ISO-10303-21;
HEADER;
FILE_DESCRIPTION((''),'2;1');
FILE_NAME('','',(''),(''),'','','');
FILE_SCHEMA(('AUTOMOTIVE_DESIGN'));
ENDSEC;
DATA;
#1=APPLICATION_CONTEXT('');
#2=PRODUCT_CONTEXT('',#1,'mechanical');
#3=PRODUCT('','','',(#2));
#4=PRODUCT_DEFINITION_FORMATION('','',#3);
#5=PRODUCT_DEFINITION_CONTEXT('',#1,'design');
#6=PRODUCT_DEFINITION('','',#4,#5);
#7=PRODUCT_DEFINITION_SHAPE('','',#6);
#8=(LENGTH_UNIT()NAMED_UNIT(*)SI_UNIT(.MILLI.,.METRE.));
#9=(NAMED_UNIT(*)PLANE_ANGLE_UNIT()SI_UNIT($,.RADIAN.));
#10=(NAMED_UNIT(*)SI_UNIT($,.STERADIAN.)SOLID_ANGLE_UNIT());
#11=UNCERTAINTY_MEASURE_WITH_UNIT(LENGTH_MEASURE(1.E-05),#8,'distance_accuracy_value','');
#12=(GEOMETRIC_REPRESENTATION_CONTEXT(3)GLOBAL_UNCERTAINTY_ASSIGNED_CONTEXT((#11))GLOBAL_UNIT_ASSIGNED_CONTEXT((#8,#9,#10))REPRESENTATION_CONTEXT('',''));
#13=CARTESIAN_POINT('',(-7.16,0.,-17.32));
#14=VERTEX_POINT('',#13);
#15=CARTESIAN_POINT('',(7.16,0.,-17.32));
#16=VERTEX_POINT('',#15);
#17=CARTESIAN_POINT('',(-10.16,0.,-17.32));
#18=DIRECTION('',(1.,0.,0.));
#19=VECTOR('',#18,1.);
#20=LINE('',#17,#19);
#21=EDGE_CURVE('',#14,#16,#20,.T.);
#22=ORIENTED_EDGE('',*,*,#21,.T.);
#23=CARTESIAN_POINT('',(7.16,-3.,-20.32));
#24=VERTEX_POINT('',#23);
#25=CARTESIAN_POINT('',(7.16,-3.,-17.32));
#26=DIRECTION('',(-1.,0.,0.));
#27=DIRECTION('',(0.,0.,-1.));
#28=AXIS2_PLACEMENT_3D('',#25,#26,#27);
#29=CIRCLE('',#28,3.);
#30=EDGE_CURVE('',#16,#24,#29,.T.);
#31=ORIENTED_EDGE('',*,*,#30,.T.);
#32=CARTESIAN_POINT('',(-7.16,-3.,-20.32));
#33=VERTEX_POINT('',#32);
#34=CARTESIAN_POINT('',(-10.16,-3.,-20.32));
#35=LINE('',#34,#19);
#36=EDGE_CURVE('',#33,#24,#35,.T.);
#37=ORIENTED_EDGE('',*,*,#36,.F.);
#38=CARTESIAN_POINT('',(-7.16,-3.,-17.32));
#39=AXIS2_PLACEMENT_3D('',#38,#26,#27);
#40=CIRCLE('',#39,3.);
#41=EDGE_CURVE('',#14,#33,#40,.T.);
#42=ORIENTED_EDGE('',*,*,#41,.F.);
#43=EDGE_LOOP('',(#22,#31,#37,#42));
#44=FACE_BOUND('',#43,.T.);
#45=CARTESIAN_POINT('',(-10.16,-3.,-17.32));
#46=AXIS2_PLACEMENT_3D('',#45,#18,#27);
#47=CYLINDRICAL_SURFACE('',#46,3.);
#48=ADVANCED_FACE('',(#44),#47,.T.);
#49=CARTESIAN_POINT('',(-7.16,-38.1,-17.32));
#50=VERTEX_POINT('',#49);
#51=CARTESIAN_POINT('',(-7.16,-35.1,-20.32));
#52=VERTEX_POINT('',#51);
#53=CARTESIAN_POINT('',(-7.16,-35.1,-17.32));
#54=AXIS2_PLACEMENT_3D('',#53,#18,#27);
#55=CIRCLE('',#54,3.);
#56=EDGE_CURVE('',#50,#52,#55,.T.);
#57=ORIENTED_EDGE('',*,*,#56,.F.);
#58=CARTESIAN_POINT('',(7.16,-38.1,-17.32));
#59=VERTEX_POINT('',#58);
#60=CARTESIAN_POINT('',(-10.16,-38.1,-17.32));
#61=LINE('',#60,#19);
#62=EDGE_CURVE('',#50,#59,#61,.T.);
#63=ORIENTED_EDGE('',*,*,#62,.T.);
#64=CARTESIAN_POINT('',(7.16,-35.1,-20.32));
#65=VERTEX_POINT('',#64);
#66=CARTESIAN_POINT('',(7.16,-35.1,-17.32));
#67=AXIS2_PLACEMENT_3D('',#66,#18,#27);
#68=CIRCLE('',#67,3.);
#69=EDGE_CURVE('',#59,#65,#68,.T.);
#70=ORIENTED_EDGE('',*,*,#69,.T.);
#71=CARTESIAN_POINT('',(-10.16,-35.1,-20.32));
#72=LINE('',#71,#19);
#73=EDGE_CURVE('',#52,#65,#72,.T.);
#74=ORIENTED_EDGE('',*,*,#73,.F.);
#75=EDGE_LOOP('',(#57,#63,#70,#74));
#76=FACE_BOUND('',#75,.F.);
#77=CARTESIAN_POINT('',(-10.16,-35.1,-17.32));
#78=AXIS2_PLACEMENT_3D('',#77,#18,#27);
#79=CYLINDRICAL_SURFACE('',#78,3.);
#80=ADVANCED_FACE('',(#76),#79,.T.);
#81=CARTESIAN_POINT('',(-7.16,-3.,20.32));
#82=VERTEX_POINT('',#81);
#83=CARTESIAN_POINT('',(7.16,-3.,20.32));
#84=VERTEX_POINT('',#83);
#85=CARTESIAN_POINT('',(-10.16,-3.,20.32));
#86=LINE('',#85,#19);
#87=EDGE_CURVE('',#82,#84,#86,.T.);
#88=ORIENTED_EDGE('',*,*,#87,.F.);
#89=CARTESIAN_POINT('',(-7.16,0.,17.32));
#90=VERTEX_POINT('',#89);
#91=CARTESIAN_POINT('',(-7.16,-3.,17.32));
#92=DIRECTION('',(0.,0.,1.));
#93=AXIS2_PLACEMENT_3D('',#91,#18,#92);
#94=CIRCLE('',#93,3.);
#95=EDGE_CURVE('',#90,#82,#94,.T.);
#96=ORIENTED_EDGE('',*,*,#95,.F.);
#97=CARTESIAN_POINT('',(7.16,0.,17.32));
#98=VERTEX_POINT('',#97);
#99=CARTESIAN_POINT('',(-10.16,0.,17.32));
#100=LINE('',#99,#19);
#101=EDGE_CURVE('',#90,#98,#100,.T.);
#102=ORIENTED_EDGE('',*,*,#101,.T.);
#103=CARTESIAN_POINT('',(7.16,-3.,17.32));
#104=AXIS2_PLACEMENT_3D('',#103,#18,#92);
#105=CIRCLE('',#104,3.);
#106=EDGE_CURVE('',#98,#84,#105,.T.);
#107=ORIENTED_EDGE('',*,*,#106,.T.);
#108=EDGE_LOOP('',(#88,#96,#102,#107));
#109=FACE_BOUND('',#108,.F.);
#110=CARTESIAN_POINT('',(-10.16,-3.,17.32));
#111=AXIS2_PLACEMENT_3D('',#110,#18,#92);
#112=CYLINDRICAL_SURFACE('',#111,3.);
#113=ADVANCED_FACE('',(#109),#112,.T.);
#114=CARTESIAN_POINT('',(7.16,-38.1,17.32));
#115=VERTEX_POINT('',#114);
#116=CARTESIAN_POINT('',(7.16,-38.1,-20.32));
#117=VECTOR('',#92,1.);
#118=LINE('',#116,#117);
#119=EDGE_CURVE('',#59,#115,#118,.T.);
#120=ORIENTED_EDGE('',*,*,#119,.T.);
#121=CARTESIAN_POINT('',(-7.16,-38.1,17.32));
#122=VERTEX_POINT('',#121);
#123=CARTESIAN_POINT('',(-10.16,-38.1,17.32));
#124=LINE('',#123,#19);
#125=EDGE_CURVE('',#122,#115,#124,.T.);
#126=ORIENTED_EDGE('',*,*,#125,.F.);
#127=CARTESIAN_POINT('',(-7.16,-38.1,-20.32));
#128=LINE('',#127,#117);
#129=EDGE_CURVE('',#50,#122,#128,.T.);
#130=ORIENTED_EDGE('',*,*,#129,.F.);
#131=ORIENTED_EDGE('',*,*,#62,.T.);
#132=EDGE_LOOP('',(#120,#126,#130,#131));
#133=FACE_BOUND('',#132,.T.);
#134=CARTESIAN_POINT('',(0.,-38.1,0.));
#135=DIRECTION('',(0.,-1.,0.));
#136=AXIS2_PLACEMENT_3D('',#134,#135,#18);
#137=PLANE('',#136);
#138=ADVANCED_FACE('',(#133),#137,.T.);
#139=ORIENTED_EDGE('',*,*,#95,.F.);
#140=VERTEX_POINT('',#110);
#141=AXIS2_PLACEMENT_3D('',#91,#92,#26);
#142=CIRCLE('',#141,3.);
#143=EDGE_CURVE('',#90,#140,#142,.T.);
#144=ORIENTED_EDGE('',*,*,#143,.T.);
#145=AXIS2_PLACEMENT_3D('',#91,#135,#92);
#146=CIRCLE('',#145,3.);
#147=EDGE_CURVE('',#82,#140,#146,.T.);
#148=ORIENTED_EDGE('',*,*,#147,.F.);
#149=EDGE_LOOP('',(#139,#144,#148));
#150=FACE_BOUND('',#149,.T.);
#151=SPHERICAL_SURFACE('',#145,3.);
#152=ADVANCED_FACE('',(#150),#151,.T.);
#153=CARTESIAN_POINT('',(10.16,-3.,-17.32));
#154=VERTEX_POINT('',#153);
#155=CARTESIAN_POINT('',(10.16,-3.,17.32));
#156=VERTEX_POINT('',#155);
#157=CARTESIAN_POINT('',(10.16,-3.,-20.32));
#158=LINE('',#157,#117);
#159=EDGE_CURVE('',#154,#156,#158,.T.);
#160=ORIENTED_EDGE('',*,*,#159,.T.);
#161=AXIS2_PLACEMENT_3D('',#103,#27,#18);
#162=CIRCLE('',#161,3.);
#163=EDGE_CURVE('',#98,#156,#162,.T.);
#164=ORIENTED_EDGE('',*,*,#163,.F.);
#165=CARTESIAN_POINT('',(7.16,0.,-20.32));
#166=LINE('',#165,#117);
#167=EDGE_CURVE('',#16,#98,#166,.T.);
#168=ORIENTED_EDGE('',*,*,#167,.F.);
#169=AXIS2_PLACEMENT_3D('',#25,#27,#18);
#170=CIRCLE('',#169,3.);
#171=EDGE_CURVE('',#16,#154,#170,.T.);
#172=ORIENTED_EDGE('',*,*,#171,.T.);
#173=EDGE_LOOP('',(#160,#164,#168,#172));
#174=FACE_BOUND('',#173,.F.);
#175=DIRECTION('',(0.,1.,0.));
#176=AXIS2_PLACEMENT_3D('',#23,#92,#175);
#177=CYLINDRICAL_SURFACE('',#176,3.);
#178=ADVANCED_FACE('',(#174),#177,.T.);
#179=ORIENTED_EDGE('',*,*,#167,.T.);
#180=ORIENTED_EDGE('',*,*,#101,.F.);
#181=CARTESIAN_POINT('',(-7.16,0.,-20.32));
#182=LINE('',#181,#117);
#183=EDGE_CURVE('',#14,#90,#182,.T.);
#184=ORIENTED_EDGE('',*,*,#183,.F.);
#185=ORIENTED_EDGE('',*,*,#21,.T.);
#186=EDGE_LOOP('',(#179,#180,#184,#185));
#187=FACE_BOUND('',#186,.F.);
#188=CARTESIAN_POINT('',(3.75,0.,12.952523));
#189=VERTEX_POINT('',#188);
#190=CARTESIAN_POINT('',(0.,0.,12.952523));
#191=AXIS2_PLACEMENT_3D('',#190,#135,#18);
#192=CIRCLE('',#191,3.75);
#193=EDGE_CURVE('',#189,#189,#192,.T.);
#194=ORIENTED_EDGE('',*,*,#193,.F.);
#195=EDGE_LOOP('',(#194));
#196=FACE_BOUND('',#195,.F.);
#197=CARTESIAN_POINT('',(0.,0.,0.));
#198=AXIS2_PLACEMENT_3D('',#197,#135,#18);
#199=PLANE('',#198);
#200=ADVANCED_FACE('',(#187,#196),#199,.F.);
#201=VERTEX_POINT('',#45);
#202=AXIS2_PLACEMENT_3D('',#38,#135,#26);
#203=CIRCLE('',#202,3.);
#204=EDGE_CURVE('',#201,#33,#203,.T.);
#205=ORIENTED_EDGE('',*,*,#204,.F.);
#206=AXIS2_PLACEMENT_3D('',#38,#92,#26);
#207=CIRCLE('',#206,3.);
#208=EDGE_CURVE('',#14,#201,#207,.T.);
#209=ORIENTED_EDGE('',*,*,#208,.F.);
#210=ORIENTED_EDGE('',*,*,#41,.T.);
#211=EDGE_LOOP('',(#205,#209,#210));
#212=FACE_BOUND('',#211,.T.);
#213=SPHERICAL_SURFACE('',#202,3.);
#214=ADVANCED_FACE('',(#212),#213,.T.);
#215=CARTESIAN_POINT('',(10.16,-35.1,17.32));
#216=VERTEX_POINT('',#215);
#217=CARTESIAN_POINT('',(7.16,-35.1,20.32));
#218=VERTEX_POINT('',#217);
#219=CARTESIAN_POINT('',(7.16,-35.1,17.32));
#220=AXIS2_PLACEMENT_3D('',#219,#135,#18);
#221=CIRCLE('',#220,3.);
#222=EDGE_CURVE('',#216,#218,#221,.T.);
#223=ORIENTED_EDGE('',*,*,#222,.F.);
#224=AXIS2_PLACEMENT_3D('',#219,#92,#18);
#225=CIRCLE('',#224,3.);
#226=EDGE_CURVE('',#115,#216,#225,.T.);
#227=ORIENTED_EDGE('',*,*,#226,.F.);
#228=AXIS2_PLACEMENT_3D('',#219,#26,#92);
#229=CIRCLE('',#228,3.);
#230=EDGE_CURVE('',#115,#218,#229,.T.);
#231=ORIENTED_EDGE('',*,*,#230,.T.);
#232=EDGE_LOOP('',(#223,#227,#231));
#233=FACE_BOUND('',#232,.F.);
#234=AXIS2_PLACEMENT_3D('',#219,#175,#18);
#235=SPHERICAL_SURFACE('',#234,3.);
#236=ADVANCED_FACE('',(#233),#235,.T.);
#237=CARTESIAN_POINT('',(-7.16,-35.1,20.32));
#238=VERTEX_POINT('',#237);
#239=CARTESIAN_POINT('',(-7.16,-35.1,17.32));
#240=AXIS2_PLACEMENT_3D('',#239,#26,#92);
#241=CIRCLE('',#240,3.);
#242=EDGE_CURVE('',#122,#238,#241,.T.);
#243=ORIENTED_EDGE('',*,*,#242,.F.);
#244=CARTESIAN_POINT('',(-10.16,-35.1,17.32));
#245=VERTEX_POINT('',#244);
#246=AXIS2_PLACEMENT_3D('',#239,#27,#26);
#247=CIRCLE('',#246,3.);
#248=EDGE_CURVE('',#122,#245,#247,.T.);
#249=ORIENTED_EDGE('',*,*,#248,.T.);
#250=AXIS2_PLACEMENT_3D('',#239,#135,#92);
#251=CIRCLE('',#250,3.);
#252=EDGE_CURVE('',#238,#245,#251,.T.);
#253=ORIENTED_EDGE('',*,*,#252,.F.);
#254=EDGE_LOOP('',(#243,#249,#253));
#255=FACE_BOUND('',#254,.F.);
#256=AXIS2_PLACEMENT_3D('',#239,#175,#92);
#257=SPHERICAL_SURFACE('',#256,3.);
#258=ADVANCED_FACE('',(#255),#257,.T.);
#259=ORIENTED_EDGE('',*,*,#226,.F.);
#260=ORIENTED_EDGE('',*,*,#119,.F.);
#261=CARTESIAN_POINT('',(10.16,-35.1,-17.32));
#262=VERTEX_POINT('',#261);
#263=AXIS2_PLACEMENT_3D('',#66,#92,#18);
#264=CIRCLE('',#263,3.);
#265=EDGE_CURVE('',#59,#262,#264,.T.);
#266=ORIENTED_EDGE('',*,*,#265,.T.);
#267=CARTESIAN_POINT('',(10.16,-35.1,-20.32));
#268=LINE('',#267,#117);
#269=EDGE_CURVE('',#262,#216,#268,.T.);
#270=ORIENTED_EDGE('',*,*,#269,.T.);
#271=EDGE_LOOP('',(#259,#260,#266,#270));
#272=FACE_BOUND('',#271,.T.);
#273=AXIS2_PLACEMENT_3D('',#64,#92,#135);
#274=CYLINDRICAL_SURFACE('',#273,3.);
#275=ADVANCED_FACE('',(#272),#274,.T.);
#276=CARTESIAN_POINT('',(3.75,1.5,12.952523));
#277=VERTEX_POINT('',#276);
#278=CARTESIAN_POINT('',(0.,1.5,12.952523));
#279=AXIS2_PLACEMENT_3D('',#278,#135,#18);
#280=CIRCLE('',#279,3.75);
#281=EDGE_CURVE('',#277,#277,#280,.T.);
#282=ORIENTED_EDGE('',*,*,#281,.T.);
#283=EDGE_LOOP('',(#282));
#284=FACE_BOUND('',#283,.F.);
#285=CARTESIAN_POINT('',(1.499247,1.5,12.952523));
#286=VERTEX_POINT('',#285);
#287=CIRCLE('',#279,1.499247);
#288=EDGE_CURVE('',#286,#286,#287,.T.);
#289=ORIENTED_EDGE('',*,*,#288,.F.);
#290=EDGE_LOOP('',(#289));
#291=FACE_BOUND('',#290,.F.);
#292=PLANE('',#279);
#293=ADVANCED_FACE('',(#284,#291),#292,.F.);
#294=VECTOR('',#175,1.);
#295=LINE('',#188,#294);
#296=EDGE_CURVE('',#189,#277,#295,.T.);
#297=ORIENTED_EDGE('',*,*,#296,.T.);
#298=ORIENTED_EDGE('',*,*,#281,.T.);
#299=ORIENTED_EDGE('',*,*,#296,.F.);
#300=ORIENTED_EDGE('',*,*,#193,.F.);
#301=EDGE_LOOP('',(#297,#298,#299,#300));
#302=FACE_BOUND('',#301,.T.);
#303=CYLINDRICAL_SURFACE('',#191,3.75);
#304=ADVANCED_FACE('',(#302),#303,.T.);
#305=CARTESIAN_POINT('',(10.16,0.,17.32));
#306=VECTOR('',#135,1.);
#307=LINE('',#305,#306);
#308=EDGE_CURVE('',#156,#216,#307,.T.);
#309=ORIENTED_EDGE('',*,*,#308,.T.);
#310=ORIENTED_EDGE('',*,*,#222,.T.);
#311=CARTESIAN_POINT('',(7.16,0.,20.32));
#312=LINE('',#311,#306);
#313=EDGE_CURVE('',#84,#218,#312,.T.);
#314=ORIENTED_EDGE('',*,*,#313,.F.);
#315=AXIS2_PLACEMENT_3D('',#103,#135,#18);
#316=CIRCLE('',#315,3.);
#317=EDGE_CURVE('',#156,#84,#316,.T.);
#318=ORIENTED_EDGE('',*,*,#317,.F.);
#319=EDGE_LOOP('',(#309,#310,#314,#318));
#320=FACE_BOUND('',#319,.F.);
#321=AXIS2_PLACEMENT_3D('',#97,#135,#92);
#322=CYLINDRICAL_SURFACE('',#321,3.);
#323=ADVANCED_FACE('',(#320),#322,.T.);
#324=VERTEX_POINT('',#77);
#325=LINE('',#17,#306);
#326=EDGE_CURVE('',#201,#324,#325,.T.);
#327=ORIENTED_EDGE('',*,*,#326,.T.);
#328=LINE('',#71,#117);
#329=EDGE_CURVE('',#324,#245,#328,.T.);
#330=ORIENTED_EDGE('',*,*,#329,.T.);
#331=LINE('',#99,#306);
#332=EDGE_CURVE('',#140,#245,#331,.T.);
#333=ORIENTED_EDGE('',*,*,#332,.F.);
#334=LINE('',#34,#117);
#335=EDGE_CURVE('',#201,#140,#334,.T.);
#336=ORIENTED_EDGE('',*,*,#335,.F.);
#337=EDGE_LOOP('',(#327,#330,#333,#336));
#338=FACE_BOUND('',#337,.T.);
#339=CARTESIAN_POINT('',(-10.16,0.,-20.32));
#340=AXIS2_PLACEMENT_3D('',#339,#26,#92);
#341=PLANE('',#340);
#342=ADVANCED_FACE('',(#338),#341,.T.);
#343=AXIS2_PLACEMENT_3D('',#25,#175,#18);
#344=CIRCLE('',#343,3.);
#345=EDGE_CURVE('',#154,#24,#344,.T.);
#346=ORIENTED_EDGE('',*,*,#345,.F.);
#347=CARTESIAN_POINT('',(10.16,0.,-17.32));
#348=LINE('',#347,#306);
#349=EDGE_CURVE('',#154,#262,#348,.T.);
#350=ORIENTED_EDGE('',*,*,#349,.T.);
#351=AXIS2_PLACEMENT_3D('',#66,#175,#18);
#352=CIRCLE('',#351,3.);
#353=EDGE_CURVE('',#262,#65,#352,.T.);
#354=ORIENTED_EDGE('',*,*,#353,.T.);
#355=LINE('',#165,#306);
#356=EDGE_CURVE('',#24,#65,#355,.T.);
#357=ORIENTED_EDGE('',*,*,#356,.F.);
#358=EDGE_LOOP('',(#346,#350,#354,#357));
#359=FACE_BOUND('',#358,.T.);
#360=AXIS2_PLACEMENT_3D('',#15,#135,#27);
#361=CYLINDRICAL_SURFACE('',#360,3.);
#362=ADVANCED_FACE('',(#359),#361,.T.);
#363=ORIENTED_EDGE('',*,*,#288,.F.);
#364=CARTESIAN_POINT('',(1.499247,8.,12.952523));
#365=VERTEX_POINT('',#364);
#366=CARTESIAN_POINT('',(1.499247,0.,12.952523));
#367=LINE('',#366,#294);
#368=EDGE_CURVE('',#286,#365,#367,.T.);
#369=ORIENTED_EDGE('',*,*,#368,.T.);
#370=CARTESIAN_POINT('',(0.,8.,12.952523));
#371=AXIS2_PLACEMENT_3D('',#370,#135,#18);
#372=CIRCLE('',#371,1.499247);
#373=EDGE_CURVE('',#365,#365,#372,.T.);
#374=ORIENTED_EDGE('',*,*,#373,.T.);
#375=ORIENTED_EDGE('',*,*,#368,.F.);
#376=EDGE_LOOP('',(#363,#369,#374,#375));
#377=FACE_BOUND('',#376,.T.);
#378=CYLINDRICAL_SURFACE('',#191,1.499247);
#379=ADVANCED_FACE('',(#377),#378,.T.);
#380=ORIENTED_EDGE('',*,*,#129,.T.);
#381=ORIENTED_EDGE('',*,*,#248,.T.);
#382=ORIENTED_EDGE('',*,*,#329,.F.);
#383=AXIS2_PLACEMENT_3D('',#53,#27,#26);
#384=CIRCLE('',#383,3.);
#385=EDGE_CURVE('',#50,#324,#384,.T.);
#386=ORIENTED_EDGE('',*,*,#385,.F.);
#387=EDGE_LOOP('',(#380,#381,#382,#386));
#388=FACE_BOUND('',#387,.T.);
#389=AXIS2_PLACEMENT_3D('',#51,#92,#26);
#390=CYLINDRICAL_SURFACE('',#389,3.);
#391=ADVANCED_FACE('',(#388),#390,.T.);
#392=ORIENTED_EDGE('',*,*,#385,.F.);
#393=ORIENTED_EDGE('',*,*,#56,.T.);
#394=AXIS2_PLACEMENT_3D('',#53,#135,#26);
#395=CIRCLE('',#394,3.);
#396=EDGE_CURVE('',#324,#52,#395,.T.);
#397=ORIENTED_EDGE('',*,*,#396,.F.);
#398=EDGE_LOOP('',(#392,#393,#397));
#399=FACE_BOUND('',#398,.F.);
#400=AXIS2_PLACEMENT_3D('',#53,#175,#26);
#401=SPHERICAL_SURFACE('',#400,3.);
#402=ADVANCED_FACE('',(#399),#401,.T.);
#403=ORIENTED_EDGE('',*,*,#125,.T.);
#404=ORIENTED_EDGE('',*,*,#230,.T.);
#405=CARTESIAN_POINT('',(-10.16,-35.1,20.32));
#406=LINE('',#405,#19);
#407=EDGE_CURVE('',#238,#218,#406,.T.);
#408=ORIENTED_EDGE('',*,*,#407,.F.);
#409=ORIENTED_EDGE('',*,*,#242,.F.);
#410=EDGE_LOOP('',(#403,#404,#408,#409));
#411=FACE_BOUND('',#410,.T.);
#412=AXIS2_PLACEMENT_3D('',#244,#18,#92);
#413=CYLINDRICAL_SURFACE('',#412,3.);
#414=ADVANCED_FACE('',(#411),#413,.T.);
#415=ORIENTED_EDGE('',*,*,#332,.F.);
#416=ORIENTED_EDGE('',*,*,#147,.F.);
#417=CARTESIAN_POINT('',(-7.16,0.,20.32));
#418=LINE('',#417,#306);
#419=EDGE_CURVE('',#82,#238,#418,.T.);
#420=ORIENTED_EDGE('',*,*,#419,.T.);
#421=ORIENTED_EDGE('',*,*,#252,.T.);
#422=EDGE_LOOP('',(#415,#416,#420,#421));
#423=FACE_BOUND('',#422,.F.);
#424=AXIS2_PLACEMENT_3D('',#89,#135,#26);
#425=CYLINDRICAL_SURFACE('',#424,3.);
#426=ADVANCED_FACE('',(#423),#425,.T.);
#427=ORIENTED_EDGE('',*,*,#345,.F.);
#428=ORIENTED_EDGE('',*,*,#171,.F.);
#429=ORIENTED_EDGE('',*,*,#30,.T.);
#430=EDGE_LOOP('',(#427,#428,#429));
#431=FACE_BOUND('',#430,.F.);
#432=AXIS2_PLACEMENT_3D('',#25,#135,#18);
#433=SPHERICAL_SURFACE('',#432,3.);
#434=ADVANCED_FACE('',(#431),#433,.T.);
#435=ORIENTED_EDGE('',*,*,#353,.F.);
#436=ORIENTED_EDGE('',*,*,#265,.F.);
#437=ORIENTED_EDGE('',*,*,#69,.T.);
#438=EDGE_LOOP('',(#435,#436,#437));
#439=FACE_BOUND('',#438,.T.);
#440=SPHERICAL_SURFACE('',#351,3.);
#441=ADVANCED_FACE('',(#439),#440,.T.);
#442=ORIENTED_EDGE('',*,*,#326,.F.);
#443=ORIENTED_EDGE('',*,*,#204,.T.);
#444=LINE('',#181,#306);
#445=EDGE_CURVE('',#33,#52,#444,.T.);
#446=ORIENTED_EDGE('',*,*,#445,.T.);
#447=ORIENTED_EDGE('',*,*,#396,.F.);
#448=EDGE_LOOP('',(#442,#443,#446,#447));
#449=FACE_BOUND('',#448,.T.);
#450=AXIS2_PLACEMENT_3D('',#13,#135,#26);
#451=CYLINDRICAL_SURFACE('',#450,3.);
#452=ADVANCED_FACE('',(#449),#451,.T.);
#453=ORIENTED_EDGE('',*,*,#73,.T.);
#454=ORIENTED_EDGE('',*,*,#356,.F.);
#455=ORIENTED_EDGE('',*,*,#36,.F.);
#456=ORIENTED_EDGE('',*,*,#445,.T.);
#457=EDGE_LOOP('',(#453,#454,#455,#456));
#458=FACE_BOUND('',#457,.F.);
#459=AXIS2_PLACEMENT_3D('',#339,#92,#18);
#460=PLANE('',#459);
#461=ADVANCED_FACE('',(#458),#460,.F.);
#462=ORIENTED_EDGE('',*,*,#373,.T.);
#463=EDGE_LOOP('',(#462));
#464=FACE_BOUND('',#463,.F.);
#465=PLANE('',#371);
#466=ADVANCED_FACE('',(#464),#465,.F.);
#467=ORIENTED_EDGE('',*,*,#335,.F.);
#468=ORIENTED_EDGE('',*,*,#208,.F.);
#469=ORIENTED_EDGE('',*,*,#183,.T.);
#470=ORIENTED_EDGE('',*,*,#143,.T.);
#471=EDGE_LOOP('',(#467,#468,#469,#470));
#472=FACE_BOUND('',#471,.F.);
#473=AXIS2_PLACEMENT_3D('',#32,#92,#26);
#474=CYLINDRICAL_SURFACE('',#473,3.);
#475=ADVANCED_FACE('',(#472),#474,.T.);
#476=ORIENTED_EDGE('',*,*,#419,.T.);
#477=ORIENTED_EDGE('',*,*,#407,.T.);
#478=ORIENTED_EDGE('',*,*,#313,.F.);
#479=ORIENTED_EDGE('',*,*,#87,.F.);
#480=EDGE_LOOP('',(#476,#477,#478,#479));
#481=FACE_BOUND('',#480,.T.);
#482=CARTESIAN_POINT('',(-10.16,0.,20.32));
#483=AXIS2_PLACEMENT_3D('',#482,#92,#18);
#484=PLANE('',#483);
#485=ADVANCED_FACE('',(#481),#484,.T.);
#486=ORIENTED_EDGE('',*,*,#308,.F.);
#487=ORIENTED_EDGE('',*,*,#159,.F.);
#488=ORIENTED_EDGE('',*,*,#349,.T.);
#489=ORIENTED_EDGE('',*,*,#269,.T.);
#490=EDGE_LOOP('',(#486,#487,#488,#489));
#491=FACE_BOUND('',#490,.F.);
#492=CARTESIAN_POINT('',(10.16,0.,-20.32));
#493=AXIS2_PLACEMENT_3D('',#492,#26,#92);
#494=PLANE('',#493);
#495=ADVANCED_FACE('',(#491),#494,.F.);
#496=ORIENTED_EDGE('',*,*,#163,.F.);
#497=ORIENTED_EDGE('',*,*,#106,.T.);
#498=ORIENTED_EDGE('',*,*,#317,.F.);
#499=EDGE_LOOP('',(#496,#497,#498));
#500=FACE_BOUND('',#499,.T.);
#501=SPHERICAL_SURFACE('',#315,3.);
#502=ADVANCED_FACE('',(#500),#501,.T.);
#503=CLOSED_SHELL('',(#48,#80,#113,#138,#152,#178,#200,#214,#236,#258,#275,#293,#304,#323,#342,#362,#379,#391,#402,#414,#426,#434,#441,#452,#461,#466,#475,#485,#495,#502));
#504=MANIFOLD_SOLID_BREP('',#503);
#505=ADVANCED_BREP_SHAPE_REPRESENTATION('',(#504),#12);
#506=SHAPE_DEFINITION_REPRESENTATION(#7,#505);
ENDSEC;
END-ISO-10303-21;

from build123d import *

# Parameters (mm, degrees)
F0_W     = 20.32
F0_H     = 40.64
F0_R     = 3.75
F0_R_2   = 1.499247
F1_DEPTH = 38.1
F2_DEPTH = 1.5
F3_R     = 3
F4_DEPTH = 8


with BuildPart() as f1:
    # F0 (on Front) → F1 (new body)
    with BuildSketch(Plane.XZ):
        Rectangle(F0_W, F0_H)
        with Locations((0, 12.952523)):
            Circle(F0_R, mode=Mode.SUBTRACT)
        with Locations((0, 12.952523)):
            Circle(F0_R)
        with Locations((0, 12.952523)):
            Circle(F0_R_2, mode=Mode.SUBTRACT)
        with Locations((0, 12.952523)):
            Circle(F0_R_2)
    extrude(amount=F1_DEPTH)

    # F0 (on Front) → F2 (join)
    with BuildSketch(Plane.XZ):
        with Locations((0, 12.952523)):
            Circle(F0_R)
        with Locations((0, 12.952523)):
            Circle(F0_R_2, mode=Mode.SUBTRACT)
    extrude(amount=-F2_DEPTH)

    # F3
    f3_edges = [f1.edges().sort_by_distance(p)[0] for p in [
        (10.16, -19.05, -20.32),
        (10.16, -19.05, 20.32),
        (10.16, 0, 0),
        (10.16, -38.1, 0),
        (-10.16, -19.05, 20.32),
        (0, 0, 20.32),
        (0, -38.1, 20.32),
        (-10.16, -19.05, -20.32),
        (-10.16, 0, 0),
        (-10.16, -38.1, 0),
        (0, -38.1, -20.32),
        (0, 0, -20.32),
    ]]
    fillet(f3_edges, radius=F3_R)

    # F0 (on Front) → F4 (join)
    with BuildSketch(Plane.XZ):
        with Locations((0, 12.952523)):
            Circle(F0_R_2)
    extrude(amount=-F4_DEPTH)


solid = f1.part
